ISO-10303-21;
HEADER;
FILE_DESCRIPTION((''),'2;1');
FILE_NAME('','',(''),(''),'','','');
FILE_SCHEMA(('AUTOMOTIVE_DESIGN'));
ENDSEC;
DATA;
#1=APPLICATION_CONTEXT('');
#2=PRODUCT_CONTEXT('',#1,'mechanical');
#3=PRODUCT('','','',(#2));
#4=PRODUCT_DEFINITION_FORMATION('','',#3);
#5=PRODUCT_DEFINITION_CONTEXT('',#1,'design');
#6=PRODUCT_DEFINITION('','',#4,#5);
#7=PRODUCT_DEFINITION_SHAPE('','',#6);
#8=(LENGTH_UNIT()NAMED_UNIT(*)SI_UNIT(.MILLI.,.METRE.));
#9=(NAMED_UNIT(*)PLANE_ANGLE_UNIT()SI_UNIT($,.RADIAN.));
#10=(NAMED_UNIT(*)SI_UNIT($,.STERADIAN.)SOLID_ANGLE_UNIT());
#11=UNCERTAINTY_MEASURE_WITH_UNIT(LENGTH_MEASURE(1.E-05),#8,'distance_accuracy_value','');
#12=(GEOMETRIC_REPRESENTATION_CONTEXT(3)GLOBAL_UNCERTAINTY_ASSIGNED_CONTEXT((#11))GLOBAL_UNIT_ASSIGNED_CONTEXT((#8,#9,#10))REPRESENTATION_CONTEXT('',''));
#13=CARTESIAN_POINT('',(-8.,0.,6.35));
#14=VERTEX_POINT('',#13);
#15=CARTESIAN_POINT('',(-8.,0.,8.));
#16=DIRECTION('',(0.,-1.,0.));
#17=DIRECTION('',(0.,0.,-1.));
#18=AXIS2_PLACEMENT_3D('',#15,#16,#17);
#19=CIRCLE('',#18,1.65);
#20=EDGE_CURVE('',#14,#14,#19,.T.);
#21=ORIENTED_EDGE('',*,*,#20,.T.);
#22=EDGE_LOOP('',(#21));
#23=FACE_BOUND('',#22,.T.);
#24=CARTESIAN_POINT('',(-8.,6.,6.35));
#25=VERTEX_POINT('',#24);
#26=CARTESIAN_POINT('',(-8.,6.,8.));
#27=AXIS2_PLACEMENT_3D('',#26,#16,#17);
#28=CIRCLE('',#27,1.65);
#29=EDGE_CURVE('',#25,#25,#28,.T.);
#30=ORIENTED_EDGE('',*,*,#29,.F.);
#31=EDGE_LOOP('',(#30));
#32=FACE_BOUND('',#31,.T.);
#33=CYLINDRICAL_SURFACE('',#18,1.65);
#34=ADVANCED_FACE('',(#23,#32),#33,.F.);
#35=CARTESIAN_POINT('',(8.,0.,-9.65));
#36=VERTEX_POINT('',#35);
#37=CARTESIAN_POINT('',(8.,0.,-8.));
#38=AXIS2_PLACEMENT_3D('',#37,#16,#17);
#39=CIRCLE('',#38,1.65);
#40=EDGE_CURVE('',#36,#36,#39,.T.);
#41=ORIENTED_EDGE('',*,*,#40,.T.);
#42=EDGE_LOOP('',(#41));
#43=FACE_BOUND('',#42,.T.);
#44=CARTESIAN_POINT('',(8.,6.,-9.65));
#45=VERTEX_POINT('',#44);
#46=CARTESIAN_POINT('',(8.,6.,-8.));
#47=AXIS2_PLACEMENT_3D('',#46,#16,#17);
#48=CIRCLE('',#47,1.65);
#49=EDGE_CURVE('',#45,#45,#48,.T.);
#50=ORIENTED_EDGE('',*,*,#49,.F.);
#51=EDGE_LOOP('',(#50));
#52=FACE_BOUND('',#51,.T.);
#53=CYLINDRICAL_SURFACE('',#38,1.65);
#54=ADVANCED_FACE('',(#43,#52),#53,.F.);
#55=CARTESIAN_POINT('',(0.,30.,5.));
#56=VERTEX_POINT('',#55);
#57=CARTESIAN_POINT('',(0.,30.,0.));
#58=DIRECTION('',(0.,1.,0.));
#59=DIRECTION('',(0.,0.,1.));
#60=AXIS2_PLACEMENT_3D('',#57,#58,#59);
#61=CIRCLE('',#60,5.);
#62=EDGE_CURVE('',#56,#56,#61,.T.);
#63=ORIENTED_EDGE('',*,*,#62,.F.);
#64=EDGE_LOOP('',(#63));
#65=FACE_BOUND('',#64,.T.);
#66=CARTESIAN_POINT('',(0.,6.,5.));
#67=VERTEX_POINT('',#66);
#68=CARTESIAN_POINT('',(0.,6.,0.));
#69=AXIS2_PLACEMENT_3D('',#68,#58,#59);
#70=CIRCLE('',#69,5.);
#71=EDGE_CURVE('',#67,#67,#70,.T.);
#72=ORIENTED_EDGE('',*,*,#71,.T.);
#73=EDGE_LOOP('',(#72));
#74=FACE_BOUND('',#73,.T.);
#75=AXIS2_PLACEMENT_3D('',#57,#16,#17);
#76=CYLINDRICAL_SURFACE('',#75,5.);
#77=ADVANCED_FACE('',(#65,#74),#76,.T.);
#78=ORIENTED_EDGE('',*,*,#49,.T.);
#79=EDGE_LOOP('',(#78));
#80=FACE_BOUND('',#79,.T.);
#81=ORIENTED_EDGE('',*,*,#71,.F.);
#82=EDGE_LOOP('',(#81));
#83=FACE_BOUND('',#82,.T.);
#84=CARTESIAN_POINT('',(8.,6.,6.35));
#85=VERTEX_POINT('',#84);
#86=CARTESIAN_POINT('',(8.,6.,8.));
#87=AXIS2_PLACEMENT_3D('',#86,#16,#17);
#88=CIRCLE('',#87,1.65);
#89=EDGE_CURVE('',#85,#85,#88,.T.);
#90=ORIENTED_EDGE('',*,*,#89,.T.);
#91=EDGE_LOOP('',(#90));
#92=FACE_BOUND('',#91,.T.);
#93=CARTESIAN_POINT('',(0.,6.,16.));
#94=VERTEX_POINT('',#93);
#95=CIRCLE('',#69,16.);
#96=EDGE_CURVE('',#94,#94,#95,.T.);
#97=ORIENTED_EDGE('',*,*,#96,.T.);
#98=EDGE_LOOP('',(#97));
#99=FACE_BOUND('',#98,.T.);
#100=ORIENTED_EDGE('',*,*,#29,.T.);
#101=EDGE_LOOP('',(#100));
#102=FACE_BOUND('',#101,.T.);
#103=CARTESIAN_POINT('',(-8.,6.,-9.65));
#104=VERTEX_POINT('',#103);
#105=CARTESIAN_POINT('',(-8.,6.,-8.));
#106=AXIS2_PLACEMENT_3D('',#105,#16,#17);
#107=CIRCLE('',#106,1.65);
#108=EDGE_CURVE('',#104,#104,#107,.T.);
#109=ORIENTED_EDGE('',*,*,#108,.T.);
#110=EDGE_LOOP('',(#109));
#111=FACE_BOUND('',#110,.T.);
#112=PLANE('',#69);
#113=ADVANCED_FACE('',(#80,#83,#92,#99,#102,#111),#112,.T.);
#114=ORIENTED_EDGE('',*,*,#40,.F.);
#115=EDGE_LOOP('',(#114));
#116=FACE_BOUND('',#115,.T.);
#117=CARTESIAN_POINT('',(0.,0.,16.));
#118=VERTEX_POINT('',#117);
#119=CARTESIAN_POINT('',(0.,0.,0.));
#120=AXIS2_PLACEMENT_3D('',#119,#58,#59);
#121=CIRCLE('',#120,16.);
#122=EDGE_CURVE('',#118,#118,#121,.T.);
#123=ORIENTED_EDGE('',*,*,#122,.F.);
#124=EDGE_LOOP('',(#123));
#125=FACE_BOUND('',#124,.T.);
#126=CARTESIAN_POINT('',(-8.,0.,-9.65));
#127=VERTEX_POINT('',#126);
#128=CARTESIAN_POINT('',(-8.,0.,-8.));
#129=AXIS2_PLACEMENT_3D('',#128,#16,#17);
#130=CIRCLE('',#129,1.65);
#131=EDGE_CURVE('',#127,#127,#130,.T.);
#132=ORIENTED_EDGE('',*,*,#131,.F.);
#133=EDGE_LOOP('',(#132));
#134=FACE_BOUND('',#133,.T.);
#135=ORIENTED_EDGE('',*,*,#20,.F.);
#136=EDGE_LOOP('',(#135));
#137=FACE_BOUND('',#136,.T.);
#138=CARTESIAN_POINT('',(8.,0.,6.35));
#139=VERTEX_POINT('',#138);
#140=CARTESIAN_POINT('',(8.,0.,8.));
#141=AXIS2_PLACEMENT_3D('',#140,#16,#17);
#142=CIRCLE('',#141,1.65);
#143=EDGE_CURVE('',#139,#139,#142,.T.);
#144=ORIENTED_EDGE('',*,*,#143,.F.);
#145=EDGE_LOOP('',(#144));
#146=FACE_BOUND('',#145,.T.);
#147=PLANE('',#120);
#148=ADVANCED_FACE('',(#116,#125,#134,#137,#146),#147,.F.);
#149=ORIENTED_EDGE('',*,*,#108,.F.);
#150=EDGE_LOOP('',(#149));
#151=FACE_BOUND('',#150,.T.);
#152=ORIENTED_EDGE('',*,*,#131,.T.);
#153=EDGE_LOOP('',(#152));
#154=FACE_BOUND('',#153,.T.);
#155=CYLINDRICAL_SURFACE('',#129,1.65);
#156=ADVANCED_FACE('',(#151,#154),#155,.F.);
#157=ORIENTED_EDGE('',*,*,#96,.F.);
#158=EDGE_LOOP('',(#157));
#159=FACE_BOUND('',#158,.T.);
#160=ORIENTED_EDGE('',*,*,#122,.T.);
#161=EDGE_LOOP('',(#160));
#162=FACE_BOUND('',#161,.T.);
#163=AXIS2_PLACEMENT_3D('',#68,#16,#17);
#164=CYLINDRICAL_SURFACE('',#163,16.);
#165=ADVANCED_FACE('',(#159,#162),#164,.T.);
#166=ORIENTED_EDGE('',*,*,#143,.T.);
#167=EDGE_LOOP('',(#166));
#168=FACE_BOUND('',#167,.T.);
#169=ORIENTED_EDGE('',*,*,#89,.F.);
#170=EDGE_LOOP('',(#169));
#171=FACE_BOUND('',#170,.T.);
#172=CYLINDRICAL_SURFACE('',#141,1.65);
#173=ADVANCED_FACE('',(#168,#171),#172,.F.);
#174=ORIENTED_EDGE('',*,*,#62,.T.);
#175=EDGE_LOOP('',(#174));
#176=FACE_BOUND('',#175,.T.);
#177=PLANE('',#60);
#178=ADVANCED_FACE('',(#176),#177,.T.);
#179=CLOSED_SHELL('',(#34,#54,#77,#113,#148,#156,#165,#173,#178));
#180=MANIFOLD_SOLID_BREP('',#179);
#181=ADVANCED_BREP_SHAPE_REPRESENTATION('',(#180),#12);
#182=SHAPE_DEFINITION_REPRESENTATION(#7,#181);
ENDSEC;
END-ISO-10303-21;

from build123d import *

# Parameters (mm, degrees)
SKETCH1_R                   = 16
BOSS_EXTRUDE1_DEPTH         = 6
TAP_DRILL_FOR_M4X0_7_TAP1_D = 3.3
SKETCH3_R                   = 5
BOSS_EXTRUDE2_DEPTH         = 24


with BuildPart() as part:
    # Sketch1 → Boss-Extrude1 (new body)
    with BuildSketch(Plane(origin=(0, 0, 0), x_dir=(1, 0, 0), z_dir=(0, 1, 0))):
        with Locations(Location((0, 0, 0), (0, 0, 270))):
            Circle(SKETCH1_R)
    extrude(amount=BOSS_EXTRUDE1_DEPTH)

    # Tap Drill for M4x0.7 Tap1 (through all)
    with Locations(Plane(origin=(0, 0, 0), x_dir=(-1, 0, 0), z_dir=(0, -1, 0))):
        with Locations((-8, 8), (-8, -8), (8, -8), (8, 8)):
            Hole(TAP_DRILL_FOR_M4X0_7_TAP1_D / 2)

    # Sketch3 → Boss-Extrude2 (add)
    with BuildSketch(Plane(origin=(0, 6, 0), x_dir=(1, 0, 0), z_dir=(0, 1, 0))):
        with Locations(Location((0, 0, 0), (0, 0, 270))):
            Circle(SKETCH3_R)
    extrude(amount=BOSS_EXTRUDE2_DEPTH)


solid = part.part
